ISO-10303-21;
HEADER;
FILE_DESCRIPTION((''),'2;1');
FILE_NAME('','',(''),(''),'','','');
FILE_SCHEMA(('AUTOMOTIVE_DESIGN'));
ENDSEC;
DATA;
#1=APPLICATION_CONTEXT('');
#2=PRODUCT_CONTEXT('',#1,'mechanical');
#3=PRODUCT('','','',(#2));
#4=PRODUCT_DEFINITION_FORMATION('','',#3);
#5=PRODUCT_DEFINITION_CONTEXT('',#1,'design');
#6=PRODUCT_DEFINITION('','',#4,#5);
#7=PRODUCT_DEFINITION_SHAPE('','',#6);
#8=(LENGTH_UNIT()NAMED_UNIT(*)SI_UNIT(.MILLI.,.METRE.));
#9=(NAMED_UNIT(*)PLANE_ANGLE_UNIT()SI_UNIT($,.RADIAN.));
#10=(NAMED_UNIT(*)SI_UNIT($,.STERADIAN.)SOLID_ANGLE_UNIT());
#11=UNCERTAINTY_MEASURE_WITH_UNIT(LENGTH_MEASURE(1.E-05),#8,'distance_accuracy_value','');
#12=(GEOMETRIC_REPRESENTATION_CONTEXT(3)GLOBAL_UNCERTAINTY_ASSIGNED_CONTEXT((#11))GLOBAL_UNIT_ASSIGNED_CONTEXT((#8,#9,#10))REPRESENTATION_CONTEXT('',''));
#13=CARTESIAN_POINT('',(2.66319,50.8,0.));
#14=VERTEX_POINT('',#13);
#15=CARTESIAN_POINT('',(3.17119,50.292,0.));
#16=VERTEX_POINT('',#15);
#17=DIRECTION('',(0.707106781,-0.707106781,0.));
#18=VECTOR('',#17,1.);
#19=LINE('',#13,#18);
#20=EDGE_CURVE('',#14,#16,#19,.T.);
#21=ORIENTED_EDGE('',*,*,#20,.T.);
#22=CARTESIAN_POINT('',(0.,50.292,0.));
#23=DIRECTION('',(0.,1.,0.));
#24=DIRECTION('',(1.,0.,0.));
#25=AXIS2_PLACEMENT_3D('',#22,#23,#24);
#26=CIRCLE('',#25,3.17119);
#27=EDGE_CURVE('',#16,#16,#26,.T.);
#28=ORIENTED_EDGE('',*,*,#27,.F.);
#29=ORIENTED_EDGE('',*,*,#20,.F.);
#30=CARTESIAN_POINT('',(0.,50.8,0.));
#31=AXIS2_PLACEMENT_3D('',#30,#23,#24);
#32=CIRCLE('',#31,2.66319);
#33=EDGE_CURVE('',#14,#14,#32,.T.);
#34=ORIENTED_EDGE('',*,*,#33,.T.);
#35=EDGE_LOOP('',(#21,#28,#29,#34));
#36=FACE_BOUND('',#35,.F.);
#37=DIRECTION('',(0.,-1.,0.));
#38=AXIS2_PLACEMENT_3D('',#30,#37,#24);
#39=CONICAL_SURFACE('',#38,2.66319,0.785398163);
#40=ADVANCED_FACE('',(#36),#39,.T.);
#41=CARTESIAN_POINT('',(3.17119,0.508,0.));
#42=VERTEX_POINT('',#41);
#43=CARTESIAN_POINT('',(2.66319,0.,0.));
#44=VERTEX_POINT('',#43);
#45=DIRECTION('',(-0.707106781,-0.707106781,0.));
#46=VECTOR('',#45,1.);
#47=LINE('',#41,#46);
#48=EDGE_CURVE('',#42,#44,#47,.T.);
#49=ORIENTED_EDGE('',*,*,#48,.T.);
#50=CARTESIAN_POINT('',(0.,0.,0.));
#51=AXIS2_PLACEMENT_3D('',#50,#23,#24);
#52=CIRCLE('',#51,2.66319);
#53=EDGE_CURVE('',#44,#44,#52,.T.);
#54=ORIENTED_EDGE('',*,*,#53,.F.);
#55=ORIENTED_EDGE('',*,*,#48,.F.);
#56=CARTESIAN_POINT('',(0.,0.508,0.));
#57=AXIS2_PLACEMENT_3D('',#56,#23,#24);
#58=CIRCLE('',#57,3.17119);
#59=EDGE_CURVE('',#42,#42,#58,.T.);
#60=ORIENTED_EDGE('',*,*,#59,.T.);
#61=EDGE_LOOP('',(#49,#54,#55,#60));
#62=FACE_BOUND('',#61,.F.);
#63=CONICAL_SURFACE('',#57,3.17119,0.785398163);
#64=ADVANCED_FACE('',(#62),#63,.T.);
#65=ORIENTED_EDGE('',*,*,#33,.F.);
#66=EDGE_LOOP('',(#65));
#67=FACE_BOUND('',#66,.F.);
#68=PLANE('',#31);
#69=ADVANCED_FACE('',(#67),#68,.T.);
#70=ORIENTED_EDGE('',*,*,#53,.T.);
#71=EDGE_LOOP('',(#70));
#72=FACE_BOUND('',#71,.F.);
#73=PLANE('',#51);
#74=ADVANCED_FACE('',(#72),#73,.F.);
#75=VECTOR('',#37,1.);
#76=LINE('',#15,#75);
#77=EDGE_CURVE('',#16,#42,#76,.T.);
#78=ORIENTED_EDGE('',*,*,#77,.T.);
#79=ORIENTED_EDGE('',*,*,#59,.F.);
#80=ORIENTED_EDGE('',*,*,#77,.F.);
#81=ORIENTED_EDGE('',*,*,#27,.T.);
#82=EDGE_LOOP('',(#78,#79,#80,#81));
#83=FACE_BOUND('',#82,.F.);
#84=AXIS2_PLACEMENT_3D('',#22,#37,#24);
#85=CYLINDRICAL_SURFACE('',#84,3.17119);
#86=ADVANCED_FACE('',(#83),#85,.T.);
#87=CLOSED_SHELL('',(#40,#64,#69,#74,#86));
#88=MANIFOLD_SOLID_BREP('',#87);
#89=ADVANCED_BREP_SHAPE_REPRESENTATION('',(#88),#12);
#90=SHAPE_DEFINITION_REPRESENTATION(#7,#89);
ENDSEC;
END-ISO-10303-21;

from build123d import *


with BuildPart() as part:
    # Sketch1 → Revolve1 (revolve)
    with BuildSketch(Plane(origin=(0, 0, 0), x_dir=(-1, 0, 0), z_dir=(0, 0, -1))):
        Polygon((-2.66319, 0), (0, 0), (0, 50.8), (-2.66319, 50.8), (-3.17119, 50.292), (-3.17119, 0.508), align=None)
    revolve(axis=Axis((0, 0, 0), (0, 1, 0)))


solid = part.part
